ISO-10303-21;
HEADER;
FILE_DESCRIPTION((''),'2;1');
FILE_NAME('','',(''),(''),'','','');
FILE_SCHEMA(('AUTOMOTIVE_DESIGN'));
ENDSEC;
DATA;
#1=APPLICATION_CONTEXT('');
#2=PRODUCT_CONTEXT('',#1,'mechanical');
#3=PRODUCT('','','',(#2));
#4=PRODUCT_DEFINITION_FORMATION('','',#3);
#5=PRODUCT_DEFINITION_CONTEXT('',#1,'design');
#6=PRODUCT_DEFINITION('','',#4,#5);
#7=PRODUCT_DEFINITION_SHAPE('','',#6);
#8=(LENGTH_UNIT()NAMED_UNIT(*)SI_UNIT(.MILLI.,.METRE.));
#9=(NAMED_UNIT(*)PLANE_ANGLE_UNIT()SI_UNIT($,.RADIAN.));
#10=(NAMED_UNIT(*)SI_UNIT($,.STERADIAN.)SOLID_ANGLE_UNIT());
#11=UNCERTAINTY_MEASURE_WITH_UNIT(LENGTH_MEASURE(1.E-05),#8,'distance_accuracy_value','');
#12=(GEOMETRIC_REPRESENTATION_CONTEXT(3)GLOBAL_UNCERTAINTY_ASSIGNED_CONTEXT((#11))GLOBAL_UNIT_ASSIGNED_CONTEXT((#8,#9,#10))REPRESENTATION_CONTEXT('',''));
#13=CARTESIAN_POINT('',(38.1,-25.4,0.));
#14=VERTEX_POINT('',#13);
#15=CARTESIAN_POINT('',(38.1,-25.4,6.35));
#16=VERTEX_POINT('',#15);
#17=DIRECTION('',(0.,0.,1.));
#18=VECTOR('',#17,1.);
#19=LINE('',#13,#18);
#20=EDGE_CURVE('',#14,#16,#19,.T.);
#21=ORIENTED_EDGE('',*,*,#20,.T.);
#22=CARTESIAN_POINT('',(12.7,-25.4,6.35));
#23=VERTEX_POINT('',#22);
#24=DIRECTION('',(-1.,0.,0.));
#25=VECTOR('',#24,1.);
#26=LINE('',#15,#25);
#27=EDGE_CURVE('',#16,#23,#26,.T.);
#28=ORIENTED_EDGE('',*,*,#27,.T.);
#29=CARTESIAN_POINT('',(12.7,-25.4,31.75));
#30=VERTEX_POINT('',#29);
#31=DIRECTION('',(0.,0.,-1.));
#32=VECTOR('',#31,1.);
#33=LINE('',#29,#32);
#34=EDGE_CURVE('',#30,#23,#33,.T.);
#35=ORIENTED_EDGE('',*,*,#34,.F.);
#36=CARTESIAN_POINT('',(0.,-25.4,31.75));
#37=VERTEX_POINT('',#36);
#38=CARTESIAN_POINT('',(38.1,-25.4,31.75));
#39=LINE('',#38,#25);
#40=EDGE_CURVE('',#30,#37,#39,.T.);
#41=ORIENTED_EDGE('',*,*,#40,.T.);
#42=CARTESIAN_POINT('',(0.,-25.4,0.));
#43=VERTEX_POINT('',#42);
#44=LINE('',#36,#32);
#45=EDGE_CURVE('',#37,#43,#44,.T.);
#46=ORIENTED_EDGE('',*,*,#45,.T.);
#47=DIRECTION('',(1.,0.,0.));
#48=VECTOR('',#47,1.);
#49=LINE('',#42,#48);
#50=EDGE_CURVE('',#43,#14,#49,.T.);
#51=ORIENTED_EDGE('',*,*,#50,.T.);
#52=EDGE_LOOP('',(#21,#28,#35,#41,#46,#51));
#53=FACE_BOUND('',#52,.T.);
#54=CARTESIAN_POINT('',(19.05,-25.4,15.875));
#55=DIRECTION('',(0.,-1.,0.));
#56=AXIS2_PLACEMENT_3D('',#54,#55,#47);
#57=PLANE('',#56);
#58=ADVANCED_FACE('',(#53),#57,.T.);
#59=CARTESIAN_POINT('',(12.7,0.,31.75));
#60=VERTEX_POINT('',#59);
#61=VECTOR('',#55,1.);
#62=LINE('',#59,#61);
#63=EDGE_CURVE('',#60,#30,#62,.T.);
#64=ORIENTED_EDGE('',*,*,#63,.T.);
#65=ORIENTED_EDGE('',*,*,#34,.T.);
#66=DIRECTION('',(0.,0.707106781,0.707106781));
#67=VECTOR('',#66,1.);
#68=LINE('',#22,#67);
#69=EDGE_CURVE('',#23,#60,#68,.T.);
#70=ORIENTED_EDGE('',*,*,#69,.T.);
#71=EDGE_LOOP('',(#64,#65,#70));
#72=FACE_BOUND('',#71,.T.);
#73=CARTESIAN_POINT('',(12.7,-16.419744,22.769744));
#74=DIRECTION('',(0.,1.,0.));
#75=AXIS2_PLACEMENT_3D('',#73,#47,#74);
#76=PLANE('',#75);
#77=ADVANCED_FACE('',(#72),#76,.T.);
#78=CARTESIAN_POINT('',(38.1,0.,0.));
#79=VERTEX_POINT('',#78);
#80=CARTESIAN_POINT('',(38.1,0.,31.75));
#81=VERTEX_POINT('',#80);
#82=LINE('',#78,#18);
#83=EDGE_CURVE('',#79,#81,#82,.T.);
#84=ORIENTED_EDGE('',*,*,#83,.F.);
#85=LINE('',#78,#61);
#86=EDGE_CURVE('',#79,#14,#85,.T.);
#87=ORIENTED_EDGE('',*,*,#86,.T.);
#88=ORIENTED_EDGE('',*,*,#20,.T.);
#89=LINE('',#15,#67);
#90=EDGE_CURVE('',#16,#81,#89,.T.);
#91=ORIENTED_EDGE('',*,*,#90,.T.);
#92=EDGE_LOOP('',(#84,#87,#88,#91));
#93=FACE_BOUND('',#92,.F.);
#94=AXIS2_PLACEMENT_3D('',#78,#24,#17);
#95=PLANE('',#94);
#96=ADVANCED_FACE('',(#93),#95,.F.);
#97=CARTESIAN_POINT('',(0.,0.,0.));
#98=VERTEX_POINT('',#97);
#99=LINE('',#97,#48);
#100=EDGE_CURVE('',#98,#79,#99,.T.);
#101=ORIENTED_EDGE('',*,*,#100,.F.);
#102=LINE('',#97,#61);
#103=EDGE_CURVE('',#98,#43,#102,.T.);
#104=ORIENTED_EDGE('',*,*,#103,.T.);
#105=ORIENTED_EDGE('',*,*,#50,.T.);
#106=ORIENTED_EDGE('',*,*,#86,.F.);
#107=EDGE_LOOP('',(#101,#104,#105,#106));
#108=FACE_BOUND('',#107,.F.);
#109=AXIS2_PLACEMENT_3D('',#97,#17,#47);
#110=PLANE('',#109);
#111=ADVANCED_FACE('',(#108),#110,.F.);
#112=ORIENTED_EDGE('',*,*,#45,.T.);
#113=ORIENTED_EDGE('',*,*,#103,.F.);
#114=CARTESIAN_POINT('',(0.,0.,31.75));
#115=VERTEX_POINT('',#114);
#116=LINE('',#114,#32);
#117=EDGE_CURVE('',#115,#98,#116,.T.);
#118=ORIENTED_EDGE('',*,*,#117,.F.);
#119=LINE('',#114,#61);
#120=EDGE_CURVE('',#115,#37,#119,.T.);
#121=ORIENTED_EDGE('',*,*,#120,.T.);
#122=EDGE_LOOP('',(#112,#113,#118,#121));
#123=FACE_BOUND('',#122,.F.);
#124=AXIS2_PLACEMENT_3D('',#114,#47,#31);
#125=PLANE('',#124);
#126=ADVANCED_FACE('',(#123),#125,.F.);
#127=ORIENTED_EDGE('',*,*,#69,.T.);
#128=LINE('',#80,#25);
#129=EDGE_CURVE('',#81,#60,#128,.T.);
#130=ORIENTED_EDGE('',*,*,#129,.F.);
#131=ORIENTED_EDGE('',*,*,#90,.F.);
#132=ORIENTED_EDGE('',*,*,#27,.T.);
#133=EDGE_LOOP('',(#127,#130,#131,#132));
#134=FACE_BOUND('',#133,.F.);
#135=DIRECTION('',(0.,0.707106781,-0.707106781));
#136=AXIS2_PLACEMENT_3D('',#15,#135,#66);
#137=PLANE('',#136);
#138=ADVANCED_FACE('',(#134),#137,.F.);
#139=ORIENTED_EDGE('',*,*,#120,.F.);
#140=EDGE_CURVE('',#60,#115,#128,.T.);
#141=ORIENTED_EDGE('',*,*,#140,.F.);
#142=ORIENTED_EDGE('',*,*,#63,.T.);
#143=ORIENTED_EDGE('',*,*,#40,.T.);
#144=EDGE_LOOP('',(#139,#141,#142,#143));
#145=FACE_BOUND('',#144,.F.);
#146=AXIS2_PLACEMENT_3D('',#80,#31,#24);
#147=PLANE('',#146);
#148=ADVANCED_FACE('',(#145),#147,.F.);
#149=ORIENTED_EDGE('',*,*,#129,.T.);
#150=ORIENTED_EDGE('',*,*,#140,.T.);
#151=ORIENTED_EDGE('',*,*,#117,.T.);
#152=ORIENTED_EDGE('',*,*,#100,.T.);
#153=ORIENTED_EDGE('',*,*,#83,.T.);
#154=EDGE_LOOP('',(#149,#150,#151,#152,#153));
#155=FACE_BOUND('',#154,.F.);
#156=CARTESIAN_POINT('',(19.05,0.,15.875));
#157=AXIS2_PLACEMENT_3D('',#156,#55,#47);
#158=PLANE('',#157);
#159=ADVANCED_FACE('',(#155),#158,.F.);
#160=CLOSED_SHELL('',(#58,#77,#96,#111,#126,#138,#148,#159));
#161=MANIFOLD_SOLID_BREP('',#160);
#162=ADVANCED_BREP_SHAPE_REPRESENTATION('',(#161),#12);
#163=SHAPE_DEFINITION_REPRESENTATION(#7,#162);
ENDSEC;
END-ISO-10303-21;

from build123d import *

# Parameters (mm, degrees)
F1_DEPTH = 25.4
F3_DEPTH = 25.4


with BuildPart() as f1:
    # F0 (on Front) → F1 (new body)
    with BuildSketch(Plane.XZ):
        Polygon((0, 31.75), (0, 0), (38.1, 0), (38.1, 31.75), (12.7, 31.75), align=None)
    extrude(amount=F1_DEPTH)

    # F2 (on face) → F3 (cut)
    with BuildSketch(Plane.YZ.offset(38.1)):
        Polygon((-25.4, 31.75), (-25.4, 6.35), (0, 31.75), align=None)
    extrude(amount=-F3_DEPTH, mode=Mode.SUBTRACT)


solid = f1.part
